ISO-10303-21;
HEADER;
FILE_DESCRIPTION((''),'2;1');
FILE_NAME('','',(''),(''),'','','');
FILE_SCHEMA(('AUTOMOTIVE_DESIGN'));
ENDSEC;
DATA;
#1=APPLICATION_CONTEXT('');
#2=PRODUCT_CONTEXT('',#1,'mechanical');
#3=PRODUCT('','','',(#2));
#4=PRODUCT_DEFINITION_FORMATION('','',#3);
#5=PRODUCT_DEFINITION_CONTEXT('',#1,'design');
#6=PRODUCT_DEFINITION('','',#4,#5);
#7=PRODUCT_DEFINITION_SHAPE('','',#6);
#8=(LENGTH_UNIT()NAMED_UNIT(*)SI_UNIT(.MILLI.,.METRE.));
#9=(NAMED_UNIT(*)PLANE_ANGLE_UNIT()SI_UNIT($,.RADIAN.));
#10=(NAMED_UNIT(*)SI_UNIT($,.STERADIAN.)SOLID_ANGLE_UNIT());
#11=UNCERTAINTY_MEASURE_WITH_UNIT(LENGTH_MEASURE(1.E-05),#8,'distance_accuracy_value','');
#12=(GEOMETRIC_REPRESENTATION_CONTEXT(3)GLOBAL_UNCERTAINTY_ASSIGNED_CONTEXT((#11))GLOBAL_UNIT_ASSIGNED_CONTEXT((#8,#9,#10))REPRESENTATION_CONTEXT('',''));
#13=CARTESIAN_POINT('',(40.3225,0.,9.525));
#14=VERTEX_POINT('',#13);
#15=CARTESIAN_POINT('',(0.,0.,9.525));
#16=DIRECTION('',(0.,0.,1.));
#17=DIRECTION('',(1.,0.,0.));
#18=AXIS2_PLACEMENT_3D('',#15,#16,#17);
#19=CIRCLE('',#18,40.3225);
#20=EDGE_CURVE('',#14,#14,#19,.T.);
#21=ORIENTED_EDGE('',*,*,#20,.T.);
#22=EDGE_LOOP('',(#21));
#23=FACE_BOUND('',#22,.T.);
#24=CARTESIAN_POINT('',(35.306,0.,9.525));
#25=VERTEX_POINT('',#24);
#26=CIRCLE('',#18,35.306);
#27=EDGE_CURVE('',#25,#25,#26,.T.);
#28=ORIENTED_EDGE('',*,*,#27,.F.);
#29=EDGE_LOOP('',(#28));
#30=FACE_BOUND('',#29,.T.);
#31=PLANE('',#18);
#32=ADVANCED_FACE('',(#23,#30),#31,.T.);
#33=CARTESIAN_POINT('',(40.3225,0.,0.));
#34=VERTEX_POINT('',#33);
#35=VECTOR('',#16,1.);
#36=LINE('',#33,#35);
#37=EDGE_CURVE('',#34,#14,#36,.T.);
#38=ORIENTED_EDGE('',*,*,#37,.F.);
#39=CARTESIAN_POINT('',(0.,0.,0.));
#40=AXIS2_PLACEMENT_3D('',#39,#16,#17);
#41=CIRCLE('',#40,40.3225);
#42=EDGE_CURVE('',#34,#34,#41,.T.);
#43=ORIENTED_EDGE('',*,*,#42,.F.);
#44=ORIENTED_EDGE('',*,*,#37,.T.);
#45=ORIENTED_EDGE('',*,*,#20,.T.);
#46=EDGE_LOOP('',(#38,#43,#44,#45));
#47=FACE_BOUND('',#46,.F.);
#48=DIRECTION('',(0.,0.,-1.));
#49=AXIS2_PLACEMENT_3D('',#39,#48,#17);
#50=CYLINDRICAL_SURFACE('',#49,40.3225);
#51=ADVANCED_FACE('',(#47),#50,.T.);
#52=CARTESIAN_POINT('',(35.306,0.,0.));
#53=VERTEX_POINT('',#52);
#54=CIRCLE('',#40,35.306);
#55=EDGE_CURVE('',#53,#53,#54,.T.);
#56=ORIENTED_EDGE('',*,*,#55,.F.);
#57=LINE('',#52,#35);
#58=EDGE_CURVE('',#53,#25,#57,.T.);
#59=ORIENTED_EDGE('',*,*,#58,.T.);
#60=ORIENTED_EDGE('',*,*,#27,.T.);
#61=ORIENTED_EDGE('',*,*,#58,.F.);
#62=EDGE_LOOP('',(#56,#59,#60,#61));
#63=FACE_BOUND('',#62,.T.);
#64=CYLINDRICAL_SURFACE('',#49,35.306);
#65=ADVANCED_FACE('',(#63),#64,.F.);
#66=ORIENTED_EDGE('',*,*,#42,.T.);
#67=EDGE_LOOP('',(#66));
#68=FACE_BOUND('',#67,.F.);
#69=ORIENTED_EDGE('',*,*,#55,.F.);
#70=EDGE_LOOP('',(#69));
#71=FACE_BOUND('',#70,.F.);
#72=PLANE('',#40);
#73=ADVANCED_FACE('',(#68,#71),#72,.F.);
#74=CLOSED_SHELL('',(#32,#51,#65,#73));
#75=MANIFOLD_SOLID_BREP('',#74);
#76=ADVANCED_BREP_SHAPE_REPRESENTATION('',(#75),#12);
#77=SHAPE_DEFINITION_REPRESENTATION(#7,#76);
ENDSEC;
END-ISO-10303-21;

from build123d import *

# Parameters (mm, degrees)
SKETCH_R   = 40.3225
SKETCH_R_2 = 35.306
PAD_DEPTH  = 9.525


with BuildPart() as part:
    # Sketch → Pad (new body)
    with BuildSketch(Plane.XY):
        Circle(SKETCH_R)
        Circle(SKETCH_R_2, mode=Mode.SUBTRACT)
    extrude(amount=PAD_DEPTH)


solid = part.part
